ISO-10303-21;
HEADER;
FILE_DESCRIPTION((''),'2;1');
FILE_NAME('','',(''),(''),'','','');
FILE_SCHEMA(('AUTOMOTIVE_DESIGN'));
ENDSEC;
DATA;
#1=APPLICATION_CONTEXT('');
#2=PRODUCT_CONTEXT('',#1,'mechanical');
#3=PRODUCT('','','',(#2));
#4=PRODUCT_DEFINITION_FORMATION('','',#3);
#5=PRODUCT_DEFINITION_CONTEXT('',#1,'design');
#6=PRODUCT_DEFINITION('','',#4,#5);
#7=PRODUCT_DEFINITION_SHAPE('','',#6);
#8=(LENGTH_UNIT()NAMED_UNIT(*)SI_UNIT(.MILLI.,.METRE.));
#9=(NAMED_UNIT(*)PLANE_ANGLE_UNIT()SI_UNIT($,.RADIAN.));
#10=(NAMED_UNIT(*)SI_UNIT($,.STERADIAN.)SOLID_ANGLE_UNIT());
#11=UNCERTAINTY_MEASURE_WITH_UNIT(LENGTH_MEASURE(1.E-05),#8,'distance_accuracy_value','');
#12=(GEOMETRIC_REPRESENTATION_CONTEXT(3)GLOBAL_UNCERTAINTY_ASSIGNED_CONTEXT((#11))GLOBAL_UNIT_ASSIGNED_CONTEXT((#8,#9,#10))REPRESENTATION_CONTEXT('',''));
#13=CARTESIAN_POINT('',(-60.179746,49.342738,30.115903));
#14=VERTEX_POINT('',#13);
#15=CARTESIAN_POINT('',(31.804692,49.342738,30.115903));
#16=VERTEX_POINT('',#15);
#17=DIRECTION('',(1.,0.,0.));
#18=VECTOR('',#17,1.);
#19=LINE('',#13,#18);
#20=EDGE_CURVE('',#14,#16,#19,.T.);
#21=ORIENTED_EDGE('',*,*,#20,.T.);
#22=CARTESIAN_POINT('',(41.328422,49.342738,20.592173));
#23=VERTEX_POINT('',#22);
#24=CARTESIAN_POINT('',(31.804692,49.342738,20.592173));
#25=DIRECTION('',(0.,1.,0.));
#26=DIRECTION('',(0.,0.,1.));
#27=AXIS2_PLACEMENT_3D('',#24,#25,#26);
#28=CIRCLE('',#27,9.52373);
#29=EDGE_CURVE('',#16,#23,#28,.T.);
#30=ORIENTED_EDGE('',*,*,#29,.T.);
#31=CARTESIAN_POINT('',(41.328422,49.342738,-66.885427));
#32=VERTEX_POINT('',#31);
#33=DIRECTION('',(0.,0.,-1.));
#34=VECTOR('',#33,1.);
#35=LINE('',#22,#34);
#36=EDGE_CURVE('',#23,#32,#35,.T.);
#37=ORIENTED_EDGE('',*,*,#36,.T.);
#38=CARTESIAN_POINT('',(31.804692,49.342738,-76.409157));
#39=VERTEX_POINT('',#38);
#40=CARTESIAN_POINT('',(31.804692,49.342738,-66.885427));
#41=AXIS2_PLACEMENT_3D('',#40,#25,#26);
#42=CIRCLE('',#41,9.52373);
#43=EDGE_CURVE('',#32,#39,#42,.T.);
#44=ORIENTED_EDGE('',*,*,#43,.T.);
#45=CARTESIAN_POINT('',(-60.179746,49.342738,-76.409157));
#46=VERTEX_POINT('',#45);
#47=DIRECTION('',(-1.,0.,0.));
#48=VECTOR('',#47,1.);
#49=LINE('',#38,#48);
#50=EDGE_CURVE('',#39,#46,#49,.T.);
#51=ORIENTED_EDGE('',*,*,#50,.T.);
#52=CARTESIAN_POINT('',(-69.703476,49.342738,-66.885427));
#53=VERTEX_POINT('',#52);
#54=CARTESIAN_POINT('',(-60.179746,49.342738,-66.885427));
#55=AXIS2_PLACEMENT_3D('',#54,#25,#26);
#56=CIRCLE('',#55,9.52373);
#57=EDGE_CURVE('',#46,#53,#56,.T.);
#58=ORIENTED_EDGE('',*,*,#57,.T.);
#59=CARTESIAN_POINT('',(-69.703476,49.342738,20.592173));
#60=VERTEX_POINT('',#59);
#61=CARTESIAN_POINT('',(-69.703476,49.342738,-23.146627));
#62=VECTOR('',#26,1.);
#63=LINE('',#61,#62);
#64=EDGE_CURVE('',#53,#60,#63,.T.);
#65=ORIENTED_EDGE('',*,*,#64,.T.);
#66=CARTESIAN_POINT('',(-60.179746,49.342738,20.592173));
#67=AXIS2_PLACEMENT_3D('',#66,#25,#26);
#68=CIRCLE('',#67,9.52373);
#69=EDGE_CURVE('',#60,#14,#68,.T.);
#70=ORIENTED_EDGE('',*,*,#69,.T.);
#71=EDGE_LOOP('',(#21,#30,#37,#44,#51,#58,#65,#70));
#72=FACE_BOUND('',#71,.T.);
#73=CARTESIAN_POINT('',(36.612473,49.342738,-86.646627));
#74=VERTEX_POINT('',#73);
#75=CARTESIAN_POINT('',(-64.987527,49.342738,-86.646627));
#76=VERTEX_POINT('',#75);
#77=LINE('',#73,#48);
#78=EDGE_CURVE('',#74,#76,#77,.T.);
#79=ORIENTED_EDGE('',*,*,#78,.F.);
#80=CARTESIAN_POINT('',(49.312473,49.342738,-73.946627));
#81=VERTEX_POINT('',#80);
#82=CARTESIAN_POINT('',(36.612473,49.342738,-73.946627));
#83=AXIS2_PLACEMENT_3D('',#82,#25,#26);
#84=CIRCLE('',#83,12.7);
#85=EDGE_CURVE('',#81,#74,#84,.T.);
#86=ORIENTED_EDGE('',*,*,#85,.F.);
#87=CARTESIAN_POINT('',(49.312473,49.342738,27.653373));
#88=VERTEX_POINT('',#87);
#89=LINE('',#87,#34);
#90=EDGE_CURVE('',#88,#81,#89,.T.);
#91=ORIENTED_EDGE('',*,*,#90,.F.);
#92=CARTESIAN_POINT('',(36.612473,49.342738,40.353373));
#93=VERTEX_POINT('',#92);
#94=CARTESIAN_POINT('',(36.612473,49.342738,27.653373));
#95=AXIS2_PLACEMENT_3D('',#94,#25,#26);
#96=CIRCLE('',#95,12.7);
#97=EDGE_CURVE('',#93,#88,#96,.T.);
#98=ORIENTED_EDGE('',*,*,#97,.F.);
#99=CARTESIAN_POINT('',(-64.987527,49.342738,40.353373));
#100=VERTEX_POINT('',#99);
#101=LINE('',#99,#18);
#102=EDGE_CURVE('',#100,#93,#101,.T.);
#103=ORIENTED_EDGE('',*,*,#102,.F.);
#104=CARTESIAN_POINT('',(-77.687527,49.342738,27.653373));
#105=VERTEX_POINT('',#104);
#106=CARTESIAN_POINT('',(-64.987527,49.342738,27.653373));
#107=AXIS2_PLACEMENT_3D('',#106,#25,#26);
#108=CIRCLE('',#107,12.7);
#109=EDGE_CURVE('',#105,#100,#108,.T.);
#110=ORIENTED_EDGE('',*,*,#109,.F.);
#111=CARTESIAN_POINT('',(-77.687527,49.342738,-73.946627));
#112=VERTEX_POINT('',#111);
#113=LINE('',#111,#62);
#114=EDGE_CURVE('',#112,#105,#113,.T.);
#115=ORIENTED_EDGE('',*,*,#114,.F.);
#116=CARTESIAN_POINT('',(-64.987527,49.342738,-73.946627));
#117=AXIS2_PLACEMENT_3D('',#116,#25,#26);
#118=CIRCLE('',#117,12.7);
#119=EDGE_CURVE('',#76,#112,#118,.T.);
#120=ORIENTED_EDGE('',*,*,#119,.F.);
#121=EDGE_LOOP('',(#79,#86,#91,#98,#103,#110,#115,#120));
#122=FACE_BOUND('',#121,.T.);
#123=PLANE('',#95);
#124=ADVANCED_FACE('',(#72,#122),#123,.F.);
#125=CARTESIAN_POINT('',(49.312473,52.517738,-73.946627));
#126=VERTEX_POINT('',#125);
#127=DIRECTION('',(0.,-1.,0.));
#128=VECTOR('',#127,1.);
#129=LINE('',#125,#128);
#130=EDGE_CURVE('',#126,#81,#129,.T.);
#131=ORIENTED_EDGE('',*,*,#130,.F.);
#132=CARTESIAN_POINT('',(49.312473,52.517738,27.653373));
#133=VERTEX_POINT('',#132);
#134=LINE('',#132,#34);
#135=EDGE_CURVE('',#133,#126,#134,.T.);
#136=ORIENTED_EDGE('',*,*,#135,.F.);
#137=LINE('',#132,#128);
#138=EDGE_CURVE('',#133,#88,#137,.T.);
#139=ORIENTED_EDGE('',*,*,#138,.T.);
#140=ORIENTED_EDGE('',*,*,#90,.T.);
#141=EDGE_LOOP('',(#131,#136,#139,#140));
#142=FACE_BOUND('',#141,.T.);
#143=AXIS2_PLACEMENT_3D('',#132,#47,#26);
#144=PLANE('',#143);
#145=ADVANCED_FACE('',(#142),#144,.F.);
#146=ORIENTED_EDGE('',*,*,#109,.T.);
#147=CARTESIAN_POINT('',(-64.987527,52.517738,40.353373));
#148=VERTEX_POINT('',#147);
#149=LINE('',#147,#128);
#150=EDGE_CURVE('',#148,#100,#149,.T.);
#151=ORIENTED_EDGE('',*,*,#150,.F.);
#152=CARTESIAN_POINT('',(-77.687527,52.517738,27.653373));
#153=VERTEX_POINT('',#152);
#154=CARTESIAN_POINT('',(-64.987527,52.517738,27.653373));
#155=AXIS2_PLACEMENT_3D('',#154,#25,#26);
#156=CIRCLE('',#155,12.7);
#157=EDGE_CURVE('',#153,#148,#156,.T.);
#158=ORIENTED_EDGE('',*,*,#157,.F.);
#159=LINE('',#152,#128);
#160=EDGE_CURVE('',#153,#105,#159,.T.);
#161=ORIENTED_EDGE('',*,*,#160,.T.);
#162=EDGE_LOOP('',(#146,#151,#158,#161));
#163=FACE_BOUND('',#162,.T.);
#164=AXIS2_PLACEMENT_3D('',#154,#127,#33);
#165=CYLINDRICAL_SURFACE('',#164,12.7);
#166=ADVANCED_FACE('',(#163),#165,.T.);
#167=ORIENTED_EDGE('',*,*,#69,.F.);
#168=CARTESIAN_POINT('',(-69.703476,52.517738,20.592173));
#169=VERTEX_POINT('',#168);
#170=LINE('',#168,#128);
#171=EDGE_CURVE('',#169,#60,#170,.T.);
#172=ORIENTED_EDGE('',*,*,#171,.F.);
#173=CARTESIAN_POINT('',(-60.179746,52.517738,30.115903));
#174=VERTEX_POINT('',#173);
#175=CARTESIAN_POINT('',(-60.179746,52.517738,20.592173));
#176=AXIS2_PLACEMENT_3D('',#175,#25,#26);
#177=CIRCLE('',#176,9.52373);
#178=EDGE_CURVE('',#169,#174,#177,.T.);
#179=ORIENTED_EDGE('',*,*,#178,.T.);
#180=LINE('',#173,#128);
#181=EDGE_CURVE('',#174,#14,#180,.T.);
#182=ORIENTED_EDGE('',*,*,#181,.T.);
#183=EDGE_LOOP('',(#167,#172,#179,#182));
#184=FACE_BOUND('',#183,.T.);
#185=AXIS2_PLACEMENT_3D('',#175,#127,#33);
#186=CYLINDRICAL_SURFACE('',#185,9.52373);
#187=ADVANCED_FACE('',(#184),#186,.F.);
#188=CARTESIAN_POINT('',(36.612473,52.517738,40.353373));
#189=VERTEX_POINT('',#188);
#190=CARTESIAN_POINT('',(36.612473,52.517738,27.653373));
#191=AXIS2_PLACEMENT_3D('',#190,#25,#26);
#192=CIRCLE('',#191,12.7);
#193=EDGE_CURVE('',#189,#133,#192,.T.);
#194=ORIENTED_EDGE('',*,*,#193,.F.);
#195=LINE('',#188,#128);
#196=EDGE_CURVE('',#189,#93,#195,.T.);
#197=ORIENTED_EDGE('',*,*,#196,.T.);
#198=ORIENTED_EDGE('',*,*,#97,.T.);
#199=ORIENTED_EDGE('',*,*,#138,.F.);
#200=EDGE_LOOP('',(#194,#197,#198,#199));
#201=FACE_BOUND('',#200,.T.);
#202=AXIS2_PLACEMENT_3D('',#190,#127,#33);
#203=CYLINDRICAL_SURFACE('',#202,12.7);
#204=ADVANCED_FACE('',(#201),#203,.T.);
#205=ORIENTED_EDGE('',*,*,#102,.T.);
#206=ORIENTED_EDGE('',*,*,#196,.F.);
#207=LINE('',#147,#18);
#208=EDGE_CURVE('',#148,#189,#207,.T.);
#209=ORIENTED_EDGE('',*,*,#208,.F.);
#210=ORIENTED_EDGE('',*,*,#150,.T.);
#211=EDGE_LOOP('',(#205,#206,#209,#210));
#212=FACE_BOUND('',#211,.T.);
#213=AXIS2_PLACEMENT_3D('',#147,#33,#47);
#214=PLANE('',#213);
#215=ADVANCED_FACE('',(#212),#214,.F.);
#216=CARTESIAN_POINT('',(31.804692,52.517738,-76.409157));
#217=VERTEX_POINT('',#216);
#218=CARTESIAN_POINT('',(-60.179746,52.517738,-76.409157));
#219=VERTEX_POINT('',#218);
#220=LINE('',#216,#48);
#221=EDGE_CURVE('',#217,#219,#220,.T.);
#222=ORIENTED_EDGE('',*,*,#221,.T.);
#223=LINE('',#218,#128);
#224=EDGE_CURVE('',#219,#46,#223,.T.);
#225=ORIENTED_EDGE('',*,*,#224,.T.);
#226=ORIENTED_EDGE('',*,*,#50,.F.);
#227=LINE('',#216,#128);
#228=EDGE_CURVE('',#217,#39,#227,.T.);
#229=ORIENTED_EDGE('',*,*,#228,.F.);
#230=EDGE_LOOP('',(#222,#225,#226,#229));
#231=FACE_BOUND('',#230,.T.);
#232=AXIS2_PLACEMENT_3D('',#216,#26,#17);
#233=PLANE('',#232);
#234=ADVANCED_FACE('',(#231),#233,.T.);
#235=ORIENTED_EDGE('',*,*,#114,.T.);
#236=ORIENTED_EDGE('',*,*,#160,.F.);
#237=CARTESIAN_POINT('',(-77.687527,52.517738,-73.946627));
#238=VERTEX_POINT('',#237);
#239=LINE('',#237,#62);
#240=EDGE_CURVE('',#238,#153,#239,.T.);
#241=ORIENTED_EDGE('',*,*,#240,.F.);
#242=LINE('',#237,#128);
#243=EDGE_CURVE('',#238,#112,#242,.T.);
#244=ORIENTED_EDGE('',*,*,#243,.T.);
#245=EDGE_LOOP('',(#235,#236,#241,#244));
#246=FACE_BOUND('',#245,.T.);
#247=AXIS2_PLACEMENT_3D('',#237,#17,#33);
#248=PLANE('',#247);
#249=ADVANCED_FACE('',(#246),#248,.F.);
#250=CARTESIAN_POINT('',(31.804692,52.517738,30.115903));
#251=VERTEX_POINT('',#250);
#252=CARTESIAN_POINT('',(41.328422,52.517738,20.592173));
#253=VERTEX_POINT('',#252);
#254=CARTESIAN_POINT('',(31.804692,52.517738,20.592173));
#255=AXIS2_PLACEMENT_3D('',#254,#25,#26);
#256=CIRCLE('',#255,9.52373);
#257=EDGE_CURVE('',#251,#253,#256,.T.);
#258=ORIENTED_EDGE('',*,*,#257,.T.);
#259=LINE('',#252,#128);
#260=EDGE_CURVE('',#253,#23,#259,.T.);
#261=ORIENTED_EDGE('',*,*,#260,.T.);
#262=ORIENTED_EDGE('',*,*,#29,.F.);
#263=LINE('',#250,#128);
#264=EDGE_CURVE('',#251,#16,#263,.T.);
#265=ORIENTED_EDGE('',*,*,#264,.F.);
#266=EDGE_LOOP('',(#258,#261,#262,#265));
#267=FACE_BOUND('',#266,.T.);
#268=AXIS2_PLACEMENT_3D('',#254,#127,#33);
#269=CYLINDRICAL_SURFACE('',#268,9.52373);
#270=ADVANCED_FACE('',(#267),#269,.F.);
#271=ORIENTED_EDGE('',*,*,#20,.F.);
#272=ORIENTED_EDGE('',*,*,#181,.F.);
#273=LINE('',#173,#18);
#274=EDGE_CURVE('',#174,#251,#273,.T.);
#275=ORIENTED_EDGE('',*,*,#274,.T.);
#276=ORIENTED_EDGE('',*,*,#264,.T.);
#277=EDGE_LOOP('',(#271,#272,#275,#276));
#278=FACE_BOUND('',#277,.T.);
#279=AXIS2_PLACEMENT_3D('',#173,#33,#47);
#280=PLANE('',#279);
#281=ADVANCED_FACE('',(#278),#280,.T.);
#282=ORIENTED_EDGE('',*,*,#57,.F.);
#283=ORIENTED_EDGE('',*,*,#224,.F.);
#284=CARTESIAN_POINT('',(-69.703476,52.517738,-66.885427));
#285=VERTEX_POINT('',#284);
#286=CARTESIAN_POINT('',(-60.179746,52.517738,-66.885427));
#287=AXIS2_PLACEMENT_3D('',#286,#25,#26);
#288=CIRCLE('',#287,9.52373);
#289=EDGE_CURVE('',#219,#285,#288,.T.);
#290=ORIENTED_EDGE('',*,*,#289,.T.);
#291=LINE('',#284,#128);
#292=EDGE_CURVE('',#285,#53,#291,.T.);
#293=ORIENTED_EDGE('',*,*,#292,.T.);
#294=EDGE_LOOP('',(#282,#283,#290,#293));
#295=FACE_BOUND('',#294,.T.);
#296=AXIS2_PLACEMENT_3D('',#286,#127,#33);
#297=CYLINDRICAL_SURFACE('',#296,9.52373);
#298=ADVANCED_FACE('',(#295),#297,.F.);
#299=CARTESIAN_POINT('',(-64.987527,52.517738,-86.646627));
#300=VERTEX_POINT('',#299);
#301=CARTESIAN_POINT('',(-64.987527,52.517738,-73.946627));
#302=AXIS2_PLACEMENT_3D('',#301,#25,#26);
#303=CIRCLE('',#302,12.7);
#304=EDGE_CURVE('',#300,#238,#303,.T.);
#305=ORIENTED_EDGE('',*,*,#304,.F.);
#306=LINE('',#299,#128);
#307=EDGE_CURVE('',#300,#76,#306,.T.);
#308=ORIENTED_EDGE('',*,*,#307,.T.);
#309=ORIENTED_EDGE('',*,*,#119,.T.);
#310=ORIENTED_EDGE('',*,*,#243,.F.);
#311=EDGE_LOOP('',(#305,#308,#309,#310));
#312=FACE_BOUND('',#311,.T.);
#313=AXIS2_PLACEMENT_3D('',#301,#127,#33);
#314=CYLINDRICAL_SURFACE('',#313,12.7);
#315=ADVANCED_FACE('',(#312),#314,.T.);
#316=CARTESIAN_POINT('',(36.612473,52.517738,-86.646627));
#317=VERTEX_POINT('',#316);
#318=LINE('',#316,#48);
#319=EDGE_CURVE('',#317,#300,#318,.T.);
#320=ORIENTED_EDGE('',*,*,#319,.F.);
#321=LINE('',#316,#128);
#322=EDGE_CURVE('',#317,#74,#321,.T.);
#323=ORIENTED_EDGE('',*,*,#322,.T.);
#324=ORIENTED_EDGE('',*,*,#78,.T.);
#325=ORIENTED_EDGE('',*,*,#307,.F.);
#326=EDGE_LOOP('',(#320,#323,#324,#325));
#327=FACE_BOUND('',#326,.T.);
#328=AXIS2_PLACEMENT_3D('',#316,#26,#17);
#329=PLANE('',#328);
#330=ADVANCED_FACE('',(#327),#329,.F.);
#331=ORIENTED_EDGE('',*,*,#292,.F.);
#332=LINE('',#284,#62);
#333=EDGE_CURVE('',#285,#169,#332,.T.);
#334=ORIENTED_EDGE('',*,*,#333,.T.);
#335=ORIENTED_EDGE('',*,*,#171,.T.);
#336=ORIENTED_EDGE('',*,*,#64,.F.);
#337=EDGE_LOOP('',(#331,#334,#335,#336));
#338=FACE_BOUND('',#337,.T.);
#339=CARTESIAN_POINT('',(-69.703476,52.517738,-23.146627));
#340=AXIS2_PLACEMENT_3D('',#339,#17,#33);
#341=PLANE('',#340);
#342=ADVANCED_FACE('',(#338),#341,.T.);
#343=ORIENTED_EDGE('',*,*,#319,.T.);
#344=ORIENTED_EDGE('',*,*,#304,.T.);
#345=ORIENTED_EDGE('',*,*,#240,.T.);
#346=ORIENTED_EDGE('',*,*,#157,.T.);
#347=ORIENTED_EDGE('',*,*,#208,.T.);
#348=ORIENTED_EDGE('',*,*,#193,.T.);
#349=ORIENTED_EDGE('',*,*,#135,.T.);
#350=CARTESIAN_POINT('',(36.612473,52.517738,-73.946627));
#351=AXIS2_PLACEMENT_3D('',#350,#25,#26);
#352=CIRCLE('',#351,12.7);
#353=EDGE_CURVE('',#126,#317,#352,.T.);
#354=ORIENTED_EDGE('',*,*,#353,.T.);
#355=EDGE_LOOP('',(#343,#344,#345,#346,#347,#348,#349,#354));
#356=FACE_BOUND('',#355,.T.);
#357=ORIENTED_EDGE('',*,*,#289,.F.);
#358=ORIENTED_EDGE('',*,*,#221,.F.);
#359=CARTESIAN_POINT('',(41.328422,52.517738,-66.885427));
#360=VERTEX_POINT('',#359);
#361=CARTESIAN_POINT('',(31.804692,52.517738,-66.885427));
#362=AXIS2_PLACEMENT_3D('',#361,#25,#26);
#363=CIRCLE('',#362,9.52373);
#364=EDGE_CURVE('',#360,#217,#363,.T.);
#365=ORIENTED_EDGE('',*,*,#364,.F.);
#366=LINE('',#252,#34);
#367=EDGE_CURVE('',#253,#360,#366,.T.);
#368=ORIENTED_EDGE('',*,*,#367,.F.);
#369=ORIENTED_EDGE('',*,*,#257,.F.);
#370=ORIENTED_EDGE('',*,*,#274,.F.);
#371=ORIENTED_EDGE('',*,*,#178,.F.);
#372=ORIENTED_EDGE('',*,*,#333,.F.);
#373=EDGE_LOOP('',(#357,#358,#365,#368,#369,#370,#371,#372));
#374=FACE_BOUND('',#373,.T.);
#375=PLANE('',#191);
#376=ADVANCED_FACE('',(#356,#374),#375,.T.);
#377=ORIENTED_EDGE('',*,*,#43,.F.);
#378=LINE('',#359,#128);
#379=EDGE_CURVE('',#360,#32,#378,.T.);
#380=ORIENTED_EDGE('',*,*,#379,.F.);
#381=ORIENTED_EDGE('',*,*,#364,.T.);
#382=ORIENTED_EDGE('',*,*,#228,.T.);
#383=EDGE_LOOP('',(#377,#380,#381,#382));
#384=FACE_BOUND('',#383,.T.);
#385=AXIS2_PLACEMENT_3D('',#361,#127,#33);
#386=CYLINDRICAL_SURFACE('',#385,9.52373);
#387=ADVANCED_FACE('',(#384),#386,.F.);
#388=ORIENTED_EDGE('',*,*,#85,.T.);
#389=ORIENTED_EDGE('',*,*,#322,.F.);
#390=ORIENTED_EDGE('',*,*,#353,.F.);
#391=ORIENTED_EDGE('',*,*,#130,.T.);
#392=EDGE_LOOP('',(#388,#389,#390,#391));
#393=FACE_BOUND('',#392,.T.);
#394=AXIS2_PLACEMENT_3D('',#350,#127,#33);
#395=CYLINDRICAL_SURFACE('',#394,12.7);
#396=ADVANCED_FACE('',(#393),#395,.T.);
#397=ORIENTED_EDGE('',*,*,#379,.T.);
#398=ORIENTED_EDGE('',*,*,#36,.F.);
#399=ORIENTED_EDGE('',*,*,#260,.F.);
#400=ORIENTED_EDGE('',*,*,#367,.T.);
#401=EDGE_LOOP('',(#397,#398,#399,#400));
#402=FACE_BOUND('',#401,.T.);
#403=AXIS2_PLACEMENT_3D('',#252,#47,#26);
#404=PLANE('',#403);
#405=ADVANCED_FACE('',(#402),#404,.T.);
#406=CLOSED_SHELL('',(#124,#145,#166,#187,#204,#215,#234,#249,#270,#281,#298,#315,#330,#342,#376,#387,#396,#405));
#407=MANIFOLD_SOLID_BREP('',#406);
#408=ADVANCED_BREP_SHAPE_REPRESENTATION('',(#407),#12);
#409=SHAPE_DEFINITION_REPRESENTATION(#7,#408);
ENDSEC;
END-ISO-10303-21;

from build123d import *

# Parameters (mm, degrees)
MAINBODY_DEPTH = 3.175


with BuildPart() as part:
    # Sketch2 → MainBody (new body)
    with BuildSketch(Plane(origin=(0, 49.342738419, 0), x_dir=(1, 0, 0), z_dir=(0, 1, 0))):
        with BuildLine():
            Line((36.612473168, 86.646627483), (-64.987526832, 86.646627483))
            ThreePointArc((-64.987526832, 86.646627483), (-73.967782953, 82.926883604), (-77.687526832, 73.946627483))
            Line((-77.687526832, 73.946627483), (-77.687526832, -27.653372517))
            ThreePointArc((-77.687526832, -27.653372517), (-73.967782953, -36.633628639), (-64.987526832, -40.353372517))
            Line((-64.987526832, -40.353372517), (36.612473168, -40.353372517))
            ThreePointArc((36.612473168, -40.353372517), (45.592729289, -36.633628639), (49.312473168, -27.653372517))
            Line((49.312473168, -27.653372517), (49.312473168, 73.946627483))
            ThreePointArc((49.312473168, 73.946627483), (45.592729289, 82.926883604), (36.612473168, 86.646627483))
        make_face()
        with BuildLine():
            Line((-60.179746039, -30.115902517), (31.804692375, -30.115902517))
            ThreePointArc((31.804692375, -30.115902517), (38.53898644, -27.326466583), (41.328422375, -20.592172517))
            Line((41.328422375, -20.592172517), (41.328422375, 66.885427483))
            ThreePointArc((41.328422375, 66.885427483), (38.53898644, 73.619721548), (31.804692375, 76.409157483))
            Line((31.804692375, 76.409157483), (-60.179746039, 76.409157483))
            ThreePointArc((-60.179746039, 76.409157483), (-66.914040104, 73.619721548), (-69.703476039, 66.885427483))
            Line((-69.703476039, 66.885427483), (-69.703476039, 23.146627483))
            Line((-69.703476039, 23.146627483), (-69.703476039, -20.592172517))
            ThreePointArc((-69.703476039, -20.592172517), (-66.914040104, -27.326466583), (-60.179746039, -30.115902517))
        make_face(mode=Mode.SUBTRACT)
    extrude(amount=MAINBODY_DEPTH)


solid = part.part
